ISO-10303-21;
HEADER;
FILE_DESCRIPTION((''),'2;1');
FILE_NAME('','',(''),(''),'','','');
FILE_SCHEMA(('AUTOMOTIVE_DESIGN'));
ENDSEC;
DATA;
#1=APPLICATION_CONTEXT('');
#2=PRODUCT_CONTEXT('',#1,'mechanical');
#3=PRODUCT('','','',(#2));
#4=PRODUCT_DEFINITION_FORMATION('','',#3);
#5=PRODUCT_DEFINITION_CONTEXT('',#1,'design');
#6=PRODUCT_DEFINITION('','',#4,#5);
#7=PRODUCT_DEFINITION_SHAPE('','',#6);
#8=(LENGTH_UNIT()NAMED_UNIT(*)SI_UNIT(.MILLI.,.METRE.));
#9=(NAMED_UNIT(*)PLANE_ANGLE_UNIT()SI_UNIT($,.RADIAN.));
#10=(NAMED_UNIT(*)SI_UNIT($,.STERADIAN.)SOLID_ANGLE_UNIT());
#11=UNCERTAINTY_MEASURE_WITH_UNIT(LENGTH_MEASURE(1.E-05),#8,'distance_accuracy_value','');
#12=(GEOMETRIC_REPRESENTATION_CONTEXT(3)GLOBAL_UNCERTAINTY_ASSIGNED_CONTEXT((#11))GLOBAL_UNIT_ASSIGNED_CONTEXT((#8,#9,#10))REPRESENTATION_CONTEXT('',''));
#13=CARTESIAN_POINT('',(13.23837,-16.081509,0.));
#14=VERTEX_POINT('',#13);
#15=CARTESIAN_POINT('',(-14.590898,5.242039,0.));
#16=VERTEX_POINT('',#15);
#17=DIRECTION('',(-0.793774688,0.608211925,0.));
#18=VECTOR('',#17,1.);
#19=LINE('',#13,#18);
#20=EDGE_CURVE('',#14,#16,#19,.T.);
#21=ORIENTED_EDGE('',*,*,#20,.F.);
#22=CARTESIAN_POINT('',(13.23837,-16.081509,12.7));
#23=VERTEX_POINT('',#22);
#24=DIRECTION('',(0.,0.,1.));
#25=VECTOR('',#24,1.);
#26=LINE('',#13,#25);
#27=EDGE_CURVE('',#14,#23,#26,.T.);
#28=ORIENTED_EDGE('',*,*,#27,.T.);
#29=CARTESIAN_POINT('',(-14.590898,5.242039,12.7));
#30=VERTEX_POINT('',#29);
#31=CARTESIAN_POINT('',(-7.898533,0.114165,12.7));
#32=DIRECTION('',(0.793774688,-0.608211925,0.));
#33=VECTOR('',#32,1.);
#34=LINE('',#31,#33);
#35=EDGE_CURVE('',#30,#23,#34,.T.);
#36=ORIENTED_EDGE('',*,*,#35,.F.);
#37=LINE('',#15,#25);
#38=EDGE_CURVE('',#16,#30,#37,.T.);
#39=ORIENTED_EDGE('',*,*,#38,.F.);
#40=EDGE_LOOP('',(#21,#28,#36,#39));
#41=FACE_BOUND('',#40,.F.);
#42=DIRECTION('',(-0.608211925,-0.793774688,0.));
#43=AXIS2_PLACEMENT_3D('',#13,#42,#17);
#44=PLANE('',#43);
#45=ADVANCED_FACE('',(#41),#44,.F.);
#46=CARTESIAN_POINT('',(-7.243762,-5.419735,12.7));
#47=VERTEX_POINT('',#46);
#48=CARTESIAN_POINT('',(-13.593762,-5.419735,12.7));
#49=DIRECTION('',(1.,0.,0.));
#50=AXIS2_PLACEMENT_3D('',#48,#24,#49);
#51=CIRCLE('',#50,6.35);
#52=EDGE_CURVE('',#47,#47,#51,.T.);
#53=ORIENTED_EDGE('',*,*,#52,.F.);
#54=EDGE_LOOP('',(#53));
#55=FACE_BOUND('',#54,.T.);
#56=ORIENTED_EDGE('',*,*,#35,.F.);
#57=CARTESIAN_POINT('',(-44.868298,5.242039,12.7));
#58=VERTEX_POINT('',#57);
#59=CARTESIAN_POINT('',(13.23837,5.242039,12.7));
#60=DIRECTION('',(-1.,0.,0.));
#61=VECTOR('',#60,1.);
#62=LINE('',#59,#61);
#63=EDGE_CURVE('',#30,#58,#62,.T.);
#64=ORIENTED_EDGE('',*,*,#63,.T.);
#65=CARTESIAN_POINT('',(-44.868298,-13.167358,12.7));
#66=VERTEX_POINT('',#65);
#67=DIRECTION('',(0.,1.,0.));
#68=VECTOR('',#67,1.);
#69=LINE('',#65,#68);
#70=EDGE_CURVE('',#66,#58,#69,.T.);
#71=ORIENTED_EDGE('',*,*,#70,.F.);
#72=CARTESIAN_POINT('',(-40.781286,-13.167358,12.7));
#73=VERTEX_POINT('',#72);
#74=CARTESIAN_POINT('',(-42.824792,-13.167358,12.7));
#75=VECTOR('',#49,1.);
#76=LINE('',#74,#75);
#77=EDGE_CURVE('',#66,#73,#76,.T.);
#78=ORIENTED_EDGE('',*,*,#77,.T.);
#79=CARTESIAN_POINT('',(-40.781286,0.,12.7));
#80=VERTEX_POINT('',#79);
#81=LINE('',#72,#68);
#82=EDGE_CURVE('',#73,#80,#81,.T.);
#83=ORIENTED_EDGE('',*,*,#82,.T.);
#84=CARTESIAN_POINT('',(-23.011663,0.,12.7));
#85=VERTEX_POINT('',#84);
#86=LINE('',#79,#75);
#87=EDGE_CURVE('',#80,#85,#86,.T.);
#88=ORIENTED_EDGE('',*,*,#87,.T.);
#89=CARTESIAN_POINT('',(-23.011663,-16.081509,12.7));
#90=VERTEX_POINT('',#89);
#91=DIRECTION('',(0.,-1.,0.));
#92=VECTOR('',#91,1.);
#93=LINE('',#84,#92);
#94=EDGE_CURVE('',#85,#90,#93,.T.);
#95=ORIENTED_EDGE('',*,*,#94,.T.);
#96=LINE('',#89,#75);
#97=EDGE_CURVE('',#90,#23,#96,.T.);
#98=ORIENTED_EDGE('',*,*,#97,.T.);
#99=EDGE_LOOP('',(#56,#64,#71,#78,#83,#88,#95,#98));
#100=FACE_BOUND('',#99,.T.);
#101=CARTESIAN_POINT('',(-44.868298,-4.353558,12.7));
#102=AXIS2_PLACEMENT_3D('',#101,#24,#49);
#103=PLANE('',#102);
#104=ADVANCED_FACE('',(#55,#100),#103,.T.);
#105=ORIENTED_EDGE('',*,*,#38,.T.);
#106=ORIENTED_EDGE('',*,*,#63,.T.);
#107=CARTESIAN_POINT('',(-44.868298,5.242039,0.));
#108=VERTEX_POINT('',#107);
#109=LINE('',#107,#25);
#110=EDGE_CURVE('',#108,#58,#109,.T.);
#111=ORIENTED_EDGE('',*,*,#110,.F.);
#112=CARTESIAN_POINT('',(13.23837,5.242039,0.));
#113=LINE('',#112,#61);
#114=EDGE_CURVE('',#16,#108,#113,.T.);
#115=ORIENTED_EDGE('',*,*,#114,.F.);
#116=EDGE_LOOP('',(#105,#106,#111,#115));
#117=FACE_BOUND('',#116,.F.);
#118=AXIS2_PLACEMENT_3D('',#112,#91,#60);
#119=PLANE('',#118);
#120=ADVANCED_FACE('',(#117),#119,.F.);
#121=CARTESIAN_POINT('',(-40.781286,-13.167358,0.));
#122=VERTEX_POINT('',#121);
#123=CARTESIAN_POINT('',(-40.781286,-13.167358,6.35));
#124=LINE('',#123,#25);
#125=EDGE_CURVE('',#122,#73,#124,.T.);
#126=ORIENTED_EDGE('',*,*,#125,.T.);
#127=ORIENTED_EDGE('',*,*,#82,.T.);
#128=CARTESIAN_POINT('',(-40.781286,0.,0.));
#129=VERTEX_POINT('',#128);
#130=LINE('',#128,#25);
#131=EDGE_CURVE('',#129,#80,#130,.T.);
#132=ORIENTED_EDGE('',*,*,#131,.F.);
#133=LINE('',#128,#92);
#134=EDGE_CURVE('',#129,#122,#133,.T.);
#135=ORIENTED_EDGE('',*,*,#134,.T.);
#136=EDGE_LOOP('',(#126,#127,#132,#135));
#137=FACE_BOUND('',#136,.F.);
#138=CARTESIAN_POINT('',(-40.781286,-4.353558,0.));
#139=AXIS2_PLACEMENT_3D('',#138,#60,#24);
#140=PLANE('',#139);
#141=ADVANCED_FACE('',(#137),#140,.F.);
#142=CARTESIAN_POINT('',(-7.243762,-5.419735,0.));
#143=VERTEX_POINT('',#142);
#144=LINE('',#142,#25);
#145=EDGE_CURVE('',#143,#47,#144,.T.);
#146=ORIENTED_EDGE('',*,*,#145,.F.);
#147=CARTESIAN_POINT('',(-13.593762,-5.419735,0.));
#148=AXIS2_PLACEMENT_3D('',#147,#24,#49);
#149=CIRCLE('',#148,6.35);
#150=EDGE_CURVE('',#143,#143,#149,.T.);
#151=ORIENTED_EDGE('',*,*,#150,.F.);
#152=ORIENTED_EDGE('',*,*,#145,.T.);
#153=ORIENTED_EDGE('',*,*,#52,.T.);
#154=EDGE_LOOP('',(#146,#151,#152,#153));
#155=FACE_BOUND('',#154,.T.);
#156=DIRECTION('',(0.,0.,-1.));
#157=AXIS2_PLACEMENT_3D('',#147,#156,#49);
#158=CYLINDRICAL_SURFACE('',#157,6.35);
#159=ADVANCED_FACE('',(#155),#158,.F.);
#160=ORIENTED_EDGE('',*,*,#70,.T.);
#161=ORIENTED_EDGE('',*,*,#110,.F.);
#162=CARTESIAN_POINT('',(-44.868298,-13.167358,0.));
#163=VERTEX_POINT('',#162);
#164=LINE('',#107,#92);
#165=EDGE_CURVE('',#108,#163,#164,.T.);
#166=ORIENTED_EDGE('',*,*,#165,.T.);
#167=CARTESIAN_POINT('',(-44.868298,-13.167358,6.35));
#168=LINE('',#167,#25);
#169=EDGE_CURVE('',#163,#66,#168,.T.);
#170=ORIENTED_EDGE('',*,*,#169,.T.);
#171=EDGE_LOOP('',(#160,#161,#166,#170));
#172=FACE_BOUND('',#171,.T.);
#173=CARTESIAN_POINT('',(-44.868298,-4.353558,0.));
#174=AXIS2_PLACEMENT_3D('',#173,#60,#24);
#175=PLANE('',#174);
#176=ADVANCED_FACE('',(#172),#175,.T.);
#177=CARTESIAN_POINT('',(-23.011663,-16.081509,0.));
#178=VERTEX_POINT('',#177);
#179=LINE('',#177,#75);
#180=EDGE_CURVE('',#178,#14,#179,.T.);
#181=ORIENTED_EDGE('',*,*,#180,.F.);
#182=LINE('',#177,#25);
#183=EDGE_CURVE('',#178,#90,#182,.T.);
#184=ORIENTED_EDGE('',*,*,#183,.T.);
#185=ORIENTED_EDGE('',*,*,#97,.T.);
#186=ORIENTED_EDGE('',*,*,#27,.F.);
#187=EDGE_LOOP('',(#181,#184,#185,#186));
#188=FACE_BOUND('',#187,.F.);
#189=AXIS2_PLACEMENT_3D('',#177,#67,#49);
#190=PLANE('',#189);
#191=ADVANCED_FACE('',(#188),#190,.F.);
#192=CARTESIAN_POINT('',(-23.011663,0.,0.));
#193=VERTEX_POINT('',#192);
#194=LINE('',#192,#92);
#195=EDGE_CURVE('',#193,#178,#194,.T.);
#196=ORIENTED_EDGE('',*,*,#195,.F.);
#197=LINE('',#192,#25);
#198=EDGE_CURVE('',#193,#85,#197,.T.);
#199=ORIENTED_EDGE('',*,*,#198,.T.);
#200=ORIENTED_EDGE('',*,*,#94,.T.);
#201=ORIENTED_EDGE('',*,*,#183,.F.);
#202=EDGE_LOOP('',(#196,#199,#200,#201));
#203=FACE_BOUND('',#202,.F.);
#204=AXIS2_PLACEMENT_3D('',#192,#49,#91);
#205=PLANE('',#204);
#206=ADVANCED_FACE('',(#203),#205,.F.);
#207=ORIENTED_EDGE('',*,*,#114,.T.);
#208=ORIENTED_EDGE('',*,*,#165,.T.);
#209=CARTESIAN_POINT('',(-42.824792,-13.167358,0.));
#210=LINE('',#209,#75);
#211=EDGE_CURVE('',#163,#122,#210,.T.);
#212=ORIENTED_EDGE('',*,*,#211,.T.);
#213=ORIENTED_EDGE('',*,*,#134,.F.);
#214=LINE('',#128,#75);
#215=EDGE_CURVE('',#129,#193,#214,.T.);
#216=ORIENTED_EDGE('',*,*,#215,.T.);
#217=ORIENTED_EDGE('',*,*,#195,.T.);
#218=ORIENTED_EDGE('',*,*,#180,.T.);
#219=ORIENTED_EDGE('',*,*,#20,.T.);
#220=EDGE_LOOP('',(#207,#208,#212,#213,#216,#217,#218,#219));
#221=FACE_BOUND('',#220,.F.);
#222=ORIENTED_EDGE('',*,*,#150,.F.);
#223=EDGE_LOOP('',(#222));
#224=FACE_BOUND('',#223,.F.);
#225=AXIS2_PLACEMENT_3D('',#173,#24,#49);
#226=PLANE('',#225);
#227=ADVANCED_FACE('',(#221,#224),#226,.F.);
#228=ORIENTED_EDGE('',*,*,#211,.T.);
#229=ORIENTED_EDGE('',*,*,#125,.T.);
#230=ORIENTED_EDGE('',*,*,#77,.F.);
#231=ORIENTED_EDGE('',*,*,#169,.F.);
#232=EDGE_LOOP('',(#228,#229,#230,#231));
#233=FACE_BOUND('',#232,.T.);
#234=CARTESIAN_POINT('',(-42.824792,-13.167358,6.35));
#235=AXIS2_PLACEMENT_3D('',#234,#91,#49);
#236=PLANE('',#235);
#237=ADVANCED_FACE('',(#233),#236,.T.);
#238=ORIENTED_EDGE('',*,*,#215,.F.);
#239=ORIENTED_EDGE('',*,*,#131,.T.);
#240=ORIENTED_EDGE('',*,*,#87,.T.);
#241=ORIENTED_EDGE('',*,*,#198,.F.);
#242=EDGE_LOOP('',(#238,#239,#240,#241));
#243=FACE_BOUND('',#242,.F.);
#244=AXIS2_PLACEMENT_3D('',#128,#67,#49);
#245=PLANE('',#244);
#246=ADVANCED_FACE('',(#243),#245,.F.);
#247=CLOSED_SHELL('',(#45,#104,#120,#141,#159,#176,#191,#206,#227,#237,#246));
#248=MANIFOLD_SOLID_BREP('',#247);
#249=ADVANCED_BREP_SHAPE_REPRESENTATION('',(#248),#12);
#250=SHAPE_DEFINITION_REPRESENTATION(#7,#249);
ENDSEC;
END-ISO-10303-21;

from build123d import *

# Parameters (mm, degrees)
F0_R     = 6.35
F1_DEPTH = 12.7
F2_W     = 4.087012
F2_H     = 12.7
F3_DEPTH = 8.8138
F5_DEPTH = 12.701


with BuildPart() as f1:
    # F0 (on Top) → F1 (new body)
    with BuildSketch(Plane.XY):
        Polygon((-44.868298, 5.242039), (-44.868298, 0), (-44.868298, -4.353558), (-40.781286, -4.353558), (-40.781286, 0), (-23.011663, 0), (-23.011663, -16.081509), (13.23837, -16.081509), (13.23837, 5.242039), (-23.011663, 5.242039), (-40.781286, 5.242039), align=None)
        with Locations((-13.593762, -5.419735)):
            Circle(F0_R, mode=Mode.SUBTRACT)
    extrude(amount=F1_DEPTH)

    # F2 (on face) → F3 (join)
    with BuildSketch(Plane.XZ.offset(4.353558)):
        with Locations((-42.824792, 6.35)):
            Rectangle(F2_W, F2_H)
    extrude(amount=F3_DEPTH)

    # F4 (on face) → F5 (cut, through all)
    with BuildSketch(Plane(origin=(0, 0, 0), x_dir=(1, 0, 0), z_dir=(0, 0, -1))):
        Polygon((13.23837, -5.242039), (13.23837, 16.081509), (-14.590898, -5.242039), align=None)
    extrude(amount=-F5_DEPTH, mode=Mode.SUBTRACT)


solid = f1.part
